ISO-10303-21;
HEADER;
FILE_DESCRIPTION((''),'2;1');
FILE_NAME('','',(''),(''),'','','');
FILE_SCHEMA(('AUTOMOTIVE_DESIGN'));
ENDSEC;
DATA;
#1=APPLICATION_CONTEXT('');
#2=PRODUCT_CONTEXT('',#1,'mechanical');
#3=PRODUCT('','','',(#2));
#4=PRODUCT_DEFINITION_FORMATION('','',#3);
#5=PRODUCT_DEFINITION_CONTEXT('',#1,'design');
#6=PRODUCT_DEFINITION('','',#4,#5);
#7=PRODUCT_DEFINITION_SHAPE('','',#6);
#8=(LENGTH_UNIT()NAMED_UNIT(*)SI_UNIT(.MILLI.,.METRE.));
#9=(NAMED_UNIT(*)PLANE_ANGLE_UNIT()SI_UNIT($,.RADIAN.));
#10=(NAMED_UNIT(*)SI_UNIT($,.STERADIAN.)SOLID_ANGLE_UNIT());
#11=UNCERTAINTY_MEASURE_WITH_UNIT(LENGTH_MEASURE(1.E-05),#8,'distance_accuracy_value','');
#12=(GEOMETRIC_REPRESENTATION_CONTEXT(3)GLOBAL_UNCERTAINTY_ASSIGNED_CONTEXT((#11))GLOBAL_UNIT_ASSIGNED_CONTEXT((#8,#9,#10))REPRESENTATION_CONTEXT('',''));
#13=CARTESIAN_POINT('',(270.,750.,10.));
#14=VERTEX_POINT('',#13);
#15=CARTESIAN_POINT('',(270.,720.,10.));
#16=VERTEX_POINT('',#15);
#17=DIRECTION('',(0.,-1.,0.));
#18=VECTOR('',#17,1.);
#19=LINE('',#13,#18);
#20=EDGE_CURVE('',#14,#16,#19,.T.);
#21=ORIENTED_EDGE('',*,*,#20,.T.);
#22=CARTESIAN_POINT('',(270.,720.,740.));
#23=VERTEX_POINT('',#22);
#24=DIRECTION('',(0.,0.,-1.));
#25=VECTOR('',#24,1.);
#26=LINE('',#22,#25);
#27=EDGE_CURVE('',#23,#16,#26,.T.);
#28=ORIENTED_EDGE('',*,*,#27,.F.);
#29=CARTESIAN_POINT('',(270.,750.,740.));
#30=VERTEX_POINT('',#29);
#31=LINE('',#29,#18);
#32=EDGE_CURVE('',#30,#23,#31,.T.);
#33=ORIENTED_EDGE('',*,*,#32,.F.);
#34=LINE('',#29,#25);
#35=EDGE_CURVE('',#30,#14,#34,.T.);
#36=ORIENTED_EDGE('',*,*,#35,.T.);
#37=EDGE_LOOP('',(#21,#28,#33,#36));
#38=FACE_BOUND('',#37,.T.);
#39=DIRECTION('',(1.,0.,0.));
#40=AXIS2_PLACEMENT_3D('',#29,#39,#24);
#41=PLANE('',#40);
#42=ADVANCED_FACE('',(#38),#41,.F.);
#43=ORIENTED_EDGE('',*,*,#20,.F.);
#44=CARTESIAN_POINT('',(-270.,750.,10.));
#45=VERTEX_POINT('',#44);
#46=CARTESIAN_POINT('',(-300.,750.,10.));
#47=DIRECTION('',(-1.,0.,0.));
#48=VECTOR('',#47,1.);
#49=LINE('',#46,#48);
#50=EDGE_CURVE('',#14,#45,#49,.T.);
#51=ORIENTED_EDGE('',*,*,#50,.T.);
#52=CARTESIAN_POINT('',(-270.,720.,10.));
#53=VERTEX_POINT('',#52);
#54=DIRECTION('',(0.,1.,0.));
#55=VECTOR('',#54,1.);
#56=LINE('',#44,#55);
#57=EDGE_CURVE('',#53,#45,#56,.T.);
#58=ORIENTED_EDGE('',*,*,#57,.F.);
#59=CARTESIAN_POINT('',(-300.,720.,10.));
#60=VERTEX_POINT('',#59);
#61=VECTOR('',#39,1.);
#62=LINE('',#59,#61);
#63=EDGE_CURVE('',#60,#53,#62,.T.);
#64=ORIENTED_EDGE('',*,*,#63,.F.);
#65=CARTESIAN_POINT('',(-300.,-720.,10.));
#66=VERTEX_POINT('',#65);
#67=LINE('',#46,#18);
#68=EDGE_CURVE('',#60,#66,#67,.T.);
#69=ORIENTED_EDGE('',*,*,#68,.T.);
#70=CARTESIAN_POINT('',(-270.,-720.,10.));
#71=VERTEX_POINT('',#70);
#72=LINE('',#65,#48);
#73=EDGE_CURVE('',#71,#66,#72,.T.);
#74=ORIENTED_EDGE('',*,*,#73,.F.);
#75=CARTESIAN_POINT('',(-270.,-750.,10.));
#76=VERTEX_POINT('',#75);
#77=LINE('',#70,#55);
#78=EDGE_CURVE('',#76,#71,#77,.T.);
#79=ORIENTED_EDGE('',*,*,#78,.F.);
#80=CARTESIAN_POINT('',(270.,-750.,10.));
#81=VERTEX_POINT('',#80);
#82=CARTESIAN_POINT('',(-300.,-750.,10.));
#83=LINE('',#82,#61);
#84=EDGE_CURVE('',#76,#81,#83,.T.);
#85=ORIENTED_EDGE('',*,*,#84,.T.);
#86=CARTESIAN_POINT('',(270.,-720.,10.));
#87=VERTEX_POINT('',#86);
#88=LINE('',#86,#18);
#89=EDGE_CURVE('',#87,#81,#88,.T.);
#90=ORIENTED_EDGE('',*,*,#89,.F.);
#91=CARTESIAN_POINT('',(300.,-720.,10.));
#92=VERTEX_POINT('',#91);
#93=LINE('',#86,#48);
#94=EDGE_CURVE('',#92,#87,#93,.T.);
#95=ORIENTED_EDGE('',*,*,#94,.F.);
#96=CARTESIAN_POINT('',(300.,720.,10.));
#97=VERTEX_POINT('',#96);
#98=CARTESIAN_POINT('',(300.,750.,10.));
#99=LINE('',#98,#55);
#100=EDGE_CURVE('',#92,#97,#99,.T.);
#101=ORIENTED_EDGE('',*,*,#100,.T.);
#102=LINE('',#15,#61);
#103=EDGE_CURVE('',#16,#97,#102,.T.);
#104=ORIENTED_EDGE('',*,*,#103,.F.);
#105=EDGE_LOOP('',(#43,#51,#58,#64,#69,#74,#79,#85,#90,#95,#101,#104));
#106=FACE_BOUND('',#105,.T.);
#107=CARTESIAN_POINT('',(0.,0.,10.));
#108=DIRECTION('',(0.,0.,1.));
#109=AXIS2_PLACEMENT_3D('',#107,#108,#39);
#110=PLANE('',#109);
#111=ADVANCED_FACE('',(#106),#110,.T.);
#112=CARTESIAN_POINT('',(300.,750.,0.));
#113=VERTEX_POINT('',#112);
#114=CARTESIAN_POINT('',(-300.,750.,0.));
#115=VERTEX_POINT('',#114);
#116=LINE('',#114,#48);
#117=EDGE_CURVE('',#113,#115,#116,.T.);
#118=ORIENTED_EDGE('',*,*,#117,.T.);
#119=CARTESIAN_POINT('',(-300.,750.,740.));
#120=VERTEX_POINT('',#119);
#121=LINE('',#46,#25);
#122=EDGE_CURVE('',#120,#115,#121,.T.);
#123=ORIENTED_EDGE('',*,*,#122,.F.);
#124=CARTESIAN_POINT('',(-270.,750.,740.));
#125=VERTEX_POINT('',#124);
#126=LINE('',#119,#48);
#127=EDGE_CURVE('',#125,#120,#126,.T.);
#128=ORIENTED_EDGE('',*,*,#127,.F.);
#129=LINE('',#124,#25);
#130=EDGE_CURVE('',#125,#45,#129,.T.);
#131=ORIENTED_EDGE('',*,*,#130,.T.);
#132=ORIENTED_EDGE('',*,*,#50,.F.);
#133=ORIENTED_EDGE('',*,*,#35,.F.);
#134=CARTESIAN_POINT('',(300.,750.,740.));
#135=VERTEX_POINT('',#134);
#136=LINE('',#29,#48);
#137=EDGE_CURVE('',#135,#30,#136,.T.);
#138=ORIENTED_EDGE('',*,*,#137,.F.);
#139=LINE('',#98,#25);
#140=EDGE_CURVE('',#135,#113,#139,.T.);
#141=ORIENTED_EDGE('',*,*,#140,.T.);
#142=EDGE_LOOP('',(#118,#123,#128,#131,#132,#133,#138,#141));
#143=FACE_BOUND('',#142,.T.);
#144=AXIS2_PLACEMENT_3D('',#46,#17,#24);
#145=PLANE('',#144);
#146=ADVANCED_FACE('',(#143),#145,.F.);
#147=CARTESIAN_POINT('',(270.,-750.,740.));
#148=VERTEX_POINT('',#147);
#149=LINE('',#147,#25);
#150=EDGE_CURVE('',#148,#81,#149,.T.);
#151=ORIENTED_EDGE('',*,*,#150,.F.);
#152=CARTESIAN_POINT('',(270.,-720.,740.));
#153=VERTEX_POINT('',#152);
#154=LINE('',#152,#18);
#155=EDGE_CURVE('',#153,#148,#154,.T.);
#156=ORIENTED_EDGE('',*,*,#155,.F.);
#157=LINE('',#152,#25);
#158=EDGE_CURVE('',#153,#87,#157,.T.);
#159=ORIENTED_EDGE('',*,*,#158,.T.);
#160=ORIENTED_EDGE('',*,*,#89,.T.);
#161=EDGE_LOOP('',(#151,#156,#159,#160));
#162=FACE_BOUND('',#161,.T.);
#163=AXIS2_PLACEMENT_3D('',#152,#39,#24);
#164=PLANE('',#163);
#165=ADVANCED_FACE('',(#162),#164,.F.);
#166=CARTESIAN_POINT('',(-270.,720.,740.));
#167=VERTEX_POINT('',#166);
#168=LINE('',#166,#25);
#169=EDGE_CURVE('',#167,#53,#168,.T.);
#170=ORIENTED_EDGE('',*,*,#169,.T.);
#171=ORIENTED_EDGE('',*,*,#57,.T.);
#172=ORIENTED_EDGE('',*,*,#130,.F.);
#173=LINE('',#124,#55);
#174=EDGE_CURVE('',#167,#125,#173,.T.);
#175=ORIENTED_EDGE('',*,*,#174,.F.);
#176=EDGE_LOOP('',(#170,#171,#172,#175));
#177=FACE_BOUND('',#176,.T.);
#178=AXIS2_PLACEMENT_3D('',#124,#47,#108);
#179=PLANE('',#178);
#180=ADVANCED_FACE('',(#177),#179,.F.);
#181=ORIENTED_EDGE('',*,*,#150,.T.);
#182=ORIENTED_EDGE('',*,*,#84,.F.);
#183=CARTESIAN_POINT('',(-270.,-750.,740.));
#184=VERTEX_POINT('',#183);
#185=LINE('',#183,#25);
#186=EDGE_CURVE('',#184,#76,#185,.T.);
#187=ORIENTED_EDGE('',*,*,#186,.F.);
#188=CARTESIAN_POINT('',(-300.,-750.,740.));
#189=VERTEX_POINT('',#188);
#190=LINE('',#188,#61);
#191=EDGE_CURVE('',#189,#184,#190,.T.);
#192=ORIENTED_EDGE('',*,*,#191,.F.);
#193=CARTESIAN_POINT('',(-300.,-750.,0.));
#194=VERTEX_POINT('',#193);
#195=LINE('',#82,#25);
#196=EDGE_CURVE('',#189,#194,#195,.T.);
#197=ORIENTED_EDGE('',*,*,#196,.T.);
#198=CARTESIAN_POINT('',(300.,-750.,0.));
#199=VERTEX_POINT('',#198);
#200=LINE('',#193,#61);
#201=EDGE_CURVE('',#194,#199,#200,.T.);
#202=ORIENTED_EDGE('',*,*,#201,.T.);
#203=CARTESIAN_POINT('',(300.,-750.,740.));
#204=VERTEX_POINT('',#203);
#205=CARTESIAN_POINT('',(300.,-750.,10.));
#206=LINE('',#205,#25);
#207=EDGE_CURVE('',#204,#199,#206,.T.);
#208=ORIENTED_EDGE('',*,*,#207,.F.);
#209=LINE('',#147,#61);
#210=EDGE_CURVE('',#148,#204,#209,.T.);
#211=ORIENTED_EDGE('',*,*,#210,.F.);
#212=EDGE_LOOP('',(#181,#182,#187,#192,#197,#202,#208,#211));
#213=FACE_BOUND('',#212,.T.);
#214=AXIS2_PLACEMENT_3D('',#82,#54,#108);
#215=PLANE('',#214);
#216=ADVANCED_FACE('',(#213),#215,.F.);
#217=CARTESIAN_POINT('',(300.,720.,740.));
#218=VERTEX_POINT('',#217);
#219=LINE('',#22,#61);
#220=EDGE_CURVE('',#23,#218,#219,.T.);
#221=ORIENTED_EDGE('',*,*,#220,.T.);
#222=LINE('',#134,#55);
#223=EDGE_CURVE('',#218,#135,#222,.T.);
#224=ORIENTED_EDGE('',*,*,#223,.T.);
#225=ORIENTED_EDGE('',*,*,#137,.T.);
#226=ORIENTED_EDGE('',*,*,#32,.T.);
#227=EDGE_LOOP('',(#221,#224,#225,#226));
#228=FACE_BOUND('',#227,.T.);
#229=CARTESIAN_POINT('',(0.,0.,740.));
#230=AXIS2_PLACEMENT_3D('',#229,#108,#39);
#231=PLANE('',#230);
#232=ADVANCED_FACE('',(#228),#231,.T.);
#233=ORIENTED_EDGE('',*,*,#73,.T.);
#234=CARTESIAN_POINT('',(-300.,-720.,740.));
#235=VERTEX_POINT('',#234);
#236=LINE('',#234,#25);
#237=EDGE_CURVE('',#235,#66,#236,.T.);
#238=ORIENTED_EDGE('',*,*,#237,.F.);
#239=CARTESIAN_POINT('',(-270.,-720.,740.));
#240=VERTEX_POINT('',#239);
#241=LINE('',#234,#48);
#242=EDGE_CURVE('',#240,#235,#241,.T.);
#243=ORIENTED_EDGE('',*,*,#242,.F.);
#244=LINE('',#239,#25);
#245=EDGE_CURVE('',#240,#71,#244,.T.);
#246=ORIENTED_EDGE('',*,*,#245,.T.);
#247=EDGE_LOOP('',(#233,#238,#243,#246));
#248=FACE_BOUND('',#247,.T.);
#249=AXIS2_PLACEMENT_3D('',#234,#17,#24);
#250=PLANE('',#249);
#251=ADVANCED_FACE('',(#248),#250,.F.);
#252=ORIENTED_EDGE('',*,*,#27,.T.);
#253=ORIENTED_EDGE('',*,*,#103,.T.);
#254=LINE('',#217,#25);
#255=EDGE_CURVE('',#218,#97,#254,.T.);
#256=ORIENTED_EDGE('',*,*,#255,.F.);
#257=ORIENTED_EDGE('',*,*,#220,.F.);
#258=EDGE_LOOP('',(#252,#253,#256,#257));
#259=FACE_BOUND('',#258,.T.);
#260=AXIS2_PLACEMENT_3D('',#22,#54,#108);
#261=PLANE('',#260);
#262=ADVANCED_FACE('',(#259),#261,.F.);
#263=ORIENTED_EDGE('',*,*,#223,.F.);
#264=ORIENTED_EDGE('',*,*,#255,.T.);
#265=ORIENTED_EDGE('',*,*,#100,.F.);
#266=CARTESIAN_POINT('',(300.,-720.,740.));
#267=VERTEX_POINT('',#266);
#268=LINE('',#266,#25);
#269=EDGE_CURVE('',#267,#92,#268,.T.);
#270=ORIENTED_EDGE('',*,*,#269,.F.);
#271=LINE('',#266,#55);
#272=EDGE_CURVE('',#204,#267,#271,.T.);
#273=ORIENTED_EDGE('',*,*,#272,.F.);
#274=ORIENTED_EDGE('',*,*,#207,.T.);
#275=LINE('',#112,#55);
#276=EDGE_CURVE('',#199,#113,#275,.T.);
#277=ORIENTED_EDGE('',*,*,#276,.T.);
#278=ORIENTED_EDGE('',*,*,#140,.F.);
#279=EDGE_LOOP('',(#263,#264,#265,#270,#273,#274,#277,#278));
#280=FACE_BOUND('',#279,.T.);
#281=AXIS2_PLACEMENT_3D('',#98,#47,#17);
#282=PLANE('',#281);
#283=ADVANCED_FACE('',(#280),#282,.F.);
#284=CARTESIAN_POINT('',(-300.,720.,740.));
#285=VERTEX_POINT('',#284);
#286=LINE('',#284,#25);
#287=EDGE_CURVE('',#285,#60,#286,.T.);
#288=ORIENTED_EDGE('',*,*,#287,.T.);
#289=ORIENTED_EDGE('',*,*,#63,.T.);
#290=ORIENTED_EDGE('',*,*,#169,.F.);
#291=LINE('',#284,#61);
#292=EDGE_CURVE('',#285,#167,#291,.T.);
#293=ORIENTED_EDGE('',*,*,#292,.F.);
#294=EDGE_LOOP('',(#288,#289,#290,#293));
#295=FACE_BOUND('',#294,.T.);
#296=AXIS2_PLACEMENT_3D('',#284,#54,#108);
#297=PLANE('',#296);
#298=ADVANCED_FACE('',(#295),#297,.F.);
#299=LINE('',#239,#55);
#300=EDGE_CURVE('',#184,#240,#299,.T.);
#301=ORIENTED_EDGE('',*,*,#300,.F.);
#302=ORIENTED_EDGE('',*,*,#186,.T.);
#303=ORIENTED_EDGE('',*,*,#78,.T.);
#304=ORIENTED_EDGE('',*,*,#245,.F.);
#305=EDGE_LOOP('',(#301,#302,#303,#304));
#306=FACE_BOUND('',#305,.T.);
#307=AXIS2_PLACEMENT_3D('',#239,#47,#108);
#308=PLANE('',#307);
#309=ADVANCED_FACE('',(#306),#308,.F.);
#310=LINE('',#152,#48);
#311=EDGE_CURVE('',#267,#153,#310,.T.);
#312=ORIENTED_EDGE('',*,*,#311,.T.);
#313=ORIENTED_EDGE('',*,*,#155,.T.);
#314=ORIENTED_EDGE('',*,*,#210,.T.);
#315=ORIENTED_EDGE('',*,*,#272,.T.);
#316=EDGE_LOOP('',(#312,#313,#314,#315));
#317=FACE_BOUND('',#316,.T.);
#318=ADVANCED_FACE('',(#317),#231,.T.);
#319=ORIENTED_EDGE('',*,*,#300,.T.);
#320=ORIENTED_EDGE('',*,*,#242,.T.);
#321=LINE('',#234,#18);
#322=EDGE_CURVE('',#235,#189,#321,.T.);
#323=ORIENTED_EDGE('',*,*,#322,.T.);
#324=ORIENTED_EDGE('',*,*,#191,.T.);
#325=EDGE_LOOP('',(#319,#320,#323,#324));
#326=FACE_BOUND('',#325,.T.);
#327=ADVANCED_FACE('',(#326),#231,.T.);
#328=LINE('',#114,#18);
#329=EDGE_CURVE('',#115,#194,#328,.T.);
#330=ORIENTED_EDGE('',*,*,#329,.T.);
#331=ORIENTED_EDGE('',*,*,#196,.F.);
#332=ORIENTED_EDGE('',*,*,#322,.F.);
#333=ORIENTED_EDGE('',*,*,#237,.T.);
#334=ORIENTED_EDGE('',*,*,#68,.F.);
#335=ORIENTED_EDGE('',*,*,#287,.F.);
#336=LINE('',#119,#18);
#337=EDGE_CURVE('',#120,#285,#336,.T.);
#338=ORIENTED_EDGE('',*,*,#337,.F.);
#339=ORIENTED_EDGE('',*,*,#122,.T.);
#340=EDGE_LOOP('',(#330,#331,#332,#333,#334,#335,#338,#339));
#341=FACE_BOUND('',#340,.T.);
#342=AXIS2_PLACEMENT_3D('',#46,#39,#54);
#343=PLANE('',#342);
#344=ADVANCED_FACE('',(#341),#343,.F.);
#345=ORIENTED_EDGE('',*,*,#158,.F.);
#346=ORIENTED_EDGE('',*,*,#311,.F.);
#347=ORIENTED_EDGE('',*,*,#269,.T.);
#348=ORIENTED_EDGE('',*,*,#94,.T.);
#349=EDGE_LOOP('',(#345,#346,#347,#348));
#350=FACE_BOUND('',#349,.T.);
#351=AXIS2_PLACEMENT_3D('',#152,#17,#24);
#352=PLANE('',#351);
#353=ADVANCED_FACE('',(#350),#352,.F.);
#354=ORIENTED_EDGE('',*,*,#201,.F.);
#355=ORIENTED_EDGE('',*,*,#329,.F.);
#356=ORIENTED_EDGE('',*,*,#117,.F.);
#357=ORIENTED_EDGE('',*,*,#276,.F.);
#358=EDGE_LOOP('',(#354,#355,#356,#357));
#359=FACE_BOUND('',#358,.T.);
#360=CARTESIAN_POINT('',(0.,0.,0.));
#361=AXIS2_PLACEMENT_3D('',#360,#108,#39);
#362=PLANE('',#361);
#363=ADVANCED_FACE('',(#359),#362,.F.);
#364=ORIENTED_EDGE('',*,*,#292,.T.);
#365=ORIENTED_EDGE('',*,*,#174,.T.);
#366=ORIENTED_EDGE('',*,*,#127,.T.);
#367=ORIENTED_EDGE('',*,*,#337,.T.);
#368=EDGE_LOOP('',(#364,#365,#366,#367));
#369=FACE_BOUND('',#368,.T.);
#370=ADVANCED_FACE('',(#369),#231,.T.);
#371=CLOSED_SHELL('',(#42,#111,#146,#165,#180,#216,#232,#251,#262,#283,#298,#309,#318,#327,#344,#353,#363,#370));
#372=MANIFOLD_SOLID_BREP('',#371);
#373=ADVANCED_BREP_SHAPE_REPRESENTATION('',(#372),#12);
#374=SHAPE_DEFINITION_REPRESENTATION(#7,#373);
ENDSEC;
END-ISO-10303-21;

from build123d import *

# Parameters (mm, degrees)
SKETCH1_W           = 600
SKETCH1_H           = 1500
BOSS_EXTRUDE1_DEPTH = 10
SKETCH2_W           = 30
SKETCH2_H           = 30
BOSS_EXTRUDE2_DEPTH = 730


with BuildPart() as part:
    # Sketch1 → Boss-Extrude1 (new body)
    with BuildSketch(Plane.XY):
        Rectangle(SKETCH1_W, SKETCH1_H)
    extrude(amount=BOSS_EXTRUDE1_DEPTH)

    # Sketch2 → Boss-Extrude2 (add)
    with BuildSketch(Plane.XY.offset(10)):
        with Locations((-285, 735)):
            Rectangle(SKETCH2_W, SKETCH2_H)
        with Locations((285, 735)):
            Rectangle(SKETCH2_W, SKETCH2_H)
        with Locations((285, -735)):
            Rectangle(SKETCH2_W, SKETCH2_H)
        with Locations((-285, -735)):
            Rectangle(SKETCH2_W, SKETCH2_H)
    extrude(amount=BOSS_EXTRUDE2_DEPTH)


solid = part.part
